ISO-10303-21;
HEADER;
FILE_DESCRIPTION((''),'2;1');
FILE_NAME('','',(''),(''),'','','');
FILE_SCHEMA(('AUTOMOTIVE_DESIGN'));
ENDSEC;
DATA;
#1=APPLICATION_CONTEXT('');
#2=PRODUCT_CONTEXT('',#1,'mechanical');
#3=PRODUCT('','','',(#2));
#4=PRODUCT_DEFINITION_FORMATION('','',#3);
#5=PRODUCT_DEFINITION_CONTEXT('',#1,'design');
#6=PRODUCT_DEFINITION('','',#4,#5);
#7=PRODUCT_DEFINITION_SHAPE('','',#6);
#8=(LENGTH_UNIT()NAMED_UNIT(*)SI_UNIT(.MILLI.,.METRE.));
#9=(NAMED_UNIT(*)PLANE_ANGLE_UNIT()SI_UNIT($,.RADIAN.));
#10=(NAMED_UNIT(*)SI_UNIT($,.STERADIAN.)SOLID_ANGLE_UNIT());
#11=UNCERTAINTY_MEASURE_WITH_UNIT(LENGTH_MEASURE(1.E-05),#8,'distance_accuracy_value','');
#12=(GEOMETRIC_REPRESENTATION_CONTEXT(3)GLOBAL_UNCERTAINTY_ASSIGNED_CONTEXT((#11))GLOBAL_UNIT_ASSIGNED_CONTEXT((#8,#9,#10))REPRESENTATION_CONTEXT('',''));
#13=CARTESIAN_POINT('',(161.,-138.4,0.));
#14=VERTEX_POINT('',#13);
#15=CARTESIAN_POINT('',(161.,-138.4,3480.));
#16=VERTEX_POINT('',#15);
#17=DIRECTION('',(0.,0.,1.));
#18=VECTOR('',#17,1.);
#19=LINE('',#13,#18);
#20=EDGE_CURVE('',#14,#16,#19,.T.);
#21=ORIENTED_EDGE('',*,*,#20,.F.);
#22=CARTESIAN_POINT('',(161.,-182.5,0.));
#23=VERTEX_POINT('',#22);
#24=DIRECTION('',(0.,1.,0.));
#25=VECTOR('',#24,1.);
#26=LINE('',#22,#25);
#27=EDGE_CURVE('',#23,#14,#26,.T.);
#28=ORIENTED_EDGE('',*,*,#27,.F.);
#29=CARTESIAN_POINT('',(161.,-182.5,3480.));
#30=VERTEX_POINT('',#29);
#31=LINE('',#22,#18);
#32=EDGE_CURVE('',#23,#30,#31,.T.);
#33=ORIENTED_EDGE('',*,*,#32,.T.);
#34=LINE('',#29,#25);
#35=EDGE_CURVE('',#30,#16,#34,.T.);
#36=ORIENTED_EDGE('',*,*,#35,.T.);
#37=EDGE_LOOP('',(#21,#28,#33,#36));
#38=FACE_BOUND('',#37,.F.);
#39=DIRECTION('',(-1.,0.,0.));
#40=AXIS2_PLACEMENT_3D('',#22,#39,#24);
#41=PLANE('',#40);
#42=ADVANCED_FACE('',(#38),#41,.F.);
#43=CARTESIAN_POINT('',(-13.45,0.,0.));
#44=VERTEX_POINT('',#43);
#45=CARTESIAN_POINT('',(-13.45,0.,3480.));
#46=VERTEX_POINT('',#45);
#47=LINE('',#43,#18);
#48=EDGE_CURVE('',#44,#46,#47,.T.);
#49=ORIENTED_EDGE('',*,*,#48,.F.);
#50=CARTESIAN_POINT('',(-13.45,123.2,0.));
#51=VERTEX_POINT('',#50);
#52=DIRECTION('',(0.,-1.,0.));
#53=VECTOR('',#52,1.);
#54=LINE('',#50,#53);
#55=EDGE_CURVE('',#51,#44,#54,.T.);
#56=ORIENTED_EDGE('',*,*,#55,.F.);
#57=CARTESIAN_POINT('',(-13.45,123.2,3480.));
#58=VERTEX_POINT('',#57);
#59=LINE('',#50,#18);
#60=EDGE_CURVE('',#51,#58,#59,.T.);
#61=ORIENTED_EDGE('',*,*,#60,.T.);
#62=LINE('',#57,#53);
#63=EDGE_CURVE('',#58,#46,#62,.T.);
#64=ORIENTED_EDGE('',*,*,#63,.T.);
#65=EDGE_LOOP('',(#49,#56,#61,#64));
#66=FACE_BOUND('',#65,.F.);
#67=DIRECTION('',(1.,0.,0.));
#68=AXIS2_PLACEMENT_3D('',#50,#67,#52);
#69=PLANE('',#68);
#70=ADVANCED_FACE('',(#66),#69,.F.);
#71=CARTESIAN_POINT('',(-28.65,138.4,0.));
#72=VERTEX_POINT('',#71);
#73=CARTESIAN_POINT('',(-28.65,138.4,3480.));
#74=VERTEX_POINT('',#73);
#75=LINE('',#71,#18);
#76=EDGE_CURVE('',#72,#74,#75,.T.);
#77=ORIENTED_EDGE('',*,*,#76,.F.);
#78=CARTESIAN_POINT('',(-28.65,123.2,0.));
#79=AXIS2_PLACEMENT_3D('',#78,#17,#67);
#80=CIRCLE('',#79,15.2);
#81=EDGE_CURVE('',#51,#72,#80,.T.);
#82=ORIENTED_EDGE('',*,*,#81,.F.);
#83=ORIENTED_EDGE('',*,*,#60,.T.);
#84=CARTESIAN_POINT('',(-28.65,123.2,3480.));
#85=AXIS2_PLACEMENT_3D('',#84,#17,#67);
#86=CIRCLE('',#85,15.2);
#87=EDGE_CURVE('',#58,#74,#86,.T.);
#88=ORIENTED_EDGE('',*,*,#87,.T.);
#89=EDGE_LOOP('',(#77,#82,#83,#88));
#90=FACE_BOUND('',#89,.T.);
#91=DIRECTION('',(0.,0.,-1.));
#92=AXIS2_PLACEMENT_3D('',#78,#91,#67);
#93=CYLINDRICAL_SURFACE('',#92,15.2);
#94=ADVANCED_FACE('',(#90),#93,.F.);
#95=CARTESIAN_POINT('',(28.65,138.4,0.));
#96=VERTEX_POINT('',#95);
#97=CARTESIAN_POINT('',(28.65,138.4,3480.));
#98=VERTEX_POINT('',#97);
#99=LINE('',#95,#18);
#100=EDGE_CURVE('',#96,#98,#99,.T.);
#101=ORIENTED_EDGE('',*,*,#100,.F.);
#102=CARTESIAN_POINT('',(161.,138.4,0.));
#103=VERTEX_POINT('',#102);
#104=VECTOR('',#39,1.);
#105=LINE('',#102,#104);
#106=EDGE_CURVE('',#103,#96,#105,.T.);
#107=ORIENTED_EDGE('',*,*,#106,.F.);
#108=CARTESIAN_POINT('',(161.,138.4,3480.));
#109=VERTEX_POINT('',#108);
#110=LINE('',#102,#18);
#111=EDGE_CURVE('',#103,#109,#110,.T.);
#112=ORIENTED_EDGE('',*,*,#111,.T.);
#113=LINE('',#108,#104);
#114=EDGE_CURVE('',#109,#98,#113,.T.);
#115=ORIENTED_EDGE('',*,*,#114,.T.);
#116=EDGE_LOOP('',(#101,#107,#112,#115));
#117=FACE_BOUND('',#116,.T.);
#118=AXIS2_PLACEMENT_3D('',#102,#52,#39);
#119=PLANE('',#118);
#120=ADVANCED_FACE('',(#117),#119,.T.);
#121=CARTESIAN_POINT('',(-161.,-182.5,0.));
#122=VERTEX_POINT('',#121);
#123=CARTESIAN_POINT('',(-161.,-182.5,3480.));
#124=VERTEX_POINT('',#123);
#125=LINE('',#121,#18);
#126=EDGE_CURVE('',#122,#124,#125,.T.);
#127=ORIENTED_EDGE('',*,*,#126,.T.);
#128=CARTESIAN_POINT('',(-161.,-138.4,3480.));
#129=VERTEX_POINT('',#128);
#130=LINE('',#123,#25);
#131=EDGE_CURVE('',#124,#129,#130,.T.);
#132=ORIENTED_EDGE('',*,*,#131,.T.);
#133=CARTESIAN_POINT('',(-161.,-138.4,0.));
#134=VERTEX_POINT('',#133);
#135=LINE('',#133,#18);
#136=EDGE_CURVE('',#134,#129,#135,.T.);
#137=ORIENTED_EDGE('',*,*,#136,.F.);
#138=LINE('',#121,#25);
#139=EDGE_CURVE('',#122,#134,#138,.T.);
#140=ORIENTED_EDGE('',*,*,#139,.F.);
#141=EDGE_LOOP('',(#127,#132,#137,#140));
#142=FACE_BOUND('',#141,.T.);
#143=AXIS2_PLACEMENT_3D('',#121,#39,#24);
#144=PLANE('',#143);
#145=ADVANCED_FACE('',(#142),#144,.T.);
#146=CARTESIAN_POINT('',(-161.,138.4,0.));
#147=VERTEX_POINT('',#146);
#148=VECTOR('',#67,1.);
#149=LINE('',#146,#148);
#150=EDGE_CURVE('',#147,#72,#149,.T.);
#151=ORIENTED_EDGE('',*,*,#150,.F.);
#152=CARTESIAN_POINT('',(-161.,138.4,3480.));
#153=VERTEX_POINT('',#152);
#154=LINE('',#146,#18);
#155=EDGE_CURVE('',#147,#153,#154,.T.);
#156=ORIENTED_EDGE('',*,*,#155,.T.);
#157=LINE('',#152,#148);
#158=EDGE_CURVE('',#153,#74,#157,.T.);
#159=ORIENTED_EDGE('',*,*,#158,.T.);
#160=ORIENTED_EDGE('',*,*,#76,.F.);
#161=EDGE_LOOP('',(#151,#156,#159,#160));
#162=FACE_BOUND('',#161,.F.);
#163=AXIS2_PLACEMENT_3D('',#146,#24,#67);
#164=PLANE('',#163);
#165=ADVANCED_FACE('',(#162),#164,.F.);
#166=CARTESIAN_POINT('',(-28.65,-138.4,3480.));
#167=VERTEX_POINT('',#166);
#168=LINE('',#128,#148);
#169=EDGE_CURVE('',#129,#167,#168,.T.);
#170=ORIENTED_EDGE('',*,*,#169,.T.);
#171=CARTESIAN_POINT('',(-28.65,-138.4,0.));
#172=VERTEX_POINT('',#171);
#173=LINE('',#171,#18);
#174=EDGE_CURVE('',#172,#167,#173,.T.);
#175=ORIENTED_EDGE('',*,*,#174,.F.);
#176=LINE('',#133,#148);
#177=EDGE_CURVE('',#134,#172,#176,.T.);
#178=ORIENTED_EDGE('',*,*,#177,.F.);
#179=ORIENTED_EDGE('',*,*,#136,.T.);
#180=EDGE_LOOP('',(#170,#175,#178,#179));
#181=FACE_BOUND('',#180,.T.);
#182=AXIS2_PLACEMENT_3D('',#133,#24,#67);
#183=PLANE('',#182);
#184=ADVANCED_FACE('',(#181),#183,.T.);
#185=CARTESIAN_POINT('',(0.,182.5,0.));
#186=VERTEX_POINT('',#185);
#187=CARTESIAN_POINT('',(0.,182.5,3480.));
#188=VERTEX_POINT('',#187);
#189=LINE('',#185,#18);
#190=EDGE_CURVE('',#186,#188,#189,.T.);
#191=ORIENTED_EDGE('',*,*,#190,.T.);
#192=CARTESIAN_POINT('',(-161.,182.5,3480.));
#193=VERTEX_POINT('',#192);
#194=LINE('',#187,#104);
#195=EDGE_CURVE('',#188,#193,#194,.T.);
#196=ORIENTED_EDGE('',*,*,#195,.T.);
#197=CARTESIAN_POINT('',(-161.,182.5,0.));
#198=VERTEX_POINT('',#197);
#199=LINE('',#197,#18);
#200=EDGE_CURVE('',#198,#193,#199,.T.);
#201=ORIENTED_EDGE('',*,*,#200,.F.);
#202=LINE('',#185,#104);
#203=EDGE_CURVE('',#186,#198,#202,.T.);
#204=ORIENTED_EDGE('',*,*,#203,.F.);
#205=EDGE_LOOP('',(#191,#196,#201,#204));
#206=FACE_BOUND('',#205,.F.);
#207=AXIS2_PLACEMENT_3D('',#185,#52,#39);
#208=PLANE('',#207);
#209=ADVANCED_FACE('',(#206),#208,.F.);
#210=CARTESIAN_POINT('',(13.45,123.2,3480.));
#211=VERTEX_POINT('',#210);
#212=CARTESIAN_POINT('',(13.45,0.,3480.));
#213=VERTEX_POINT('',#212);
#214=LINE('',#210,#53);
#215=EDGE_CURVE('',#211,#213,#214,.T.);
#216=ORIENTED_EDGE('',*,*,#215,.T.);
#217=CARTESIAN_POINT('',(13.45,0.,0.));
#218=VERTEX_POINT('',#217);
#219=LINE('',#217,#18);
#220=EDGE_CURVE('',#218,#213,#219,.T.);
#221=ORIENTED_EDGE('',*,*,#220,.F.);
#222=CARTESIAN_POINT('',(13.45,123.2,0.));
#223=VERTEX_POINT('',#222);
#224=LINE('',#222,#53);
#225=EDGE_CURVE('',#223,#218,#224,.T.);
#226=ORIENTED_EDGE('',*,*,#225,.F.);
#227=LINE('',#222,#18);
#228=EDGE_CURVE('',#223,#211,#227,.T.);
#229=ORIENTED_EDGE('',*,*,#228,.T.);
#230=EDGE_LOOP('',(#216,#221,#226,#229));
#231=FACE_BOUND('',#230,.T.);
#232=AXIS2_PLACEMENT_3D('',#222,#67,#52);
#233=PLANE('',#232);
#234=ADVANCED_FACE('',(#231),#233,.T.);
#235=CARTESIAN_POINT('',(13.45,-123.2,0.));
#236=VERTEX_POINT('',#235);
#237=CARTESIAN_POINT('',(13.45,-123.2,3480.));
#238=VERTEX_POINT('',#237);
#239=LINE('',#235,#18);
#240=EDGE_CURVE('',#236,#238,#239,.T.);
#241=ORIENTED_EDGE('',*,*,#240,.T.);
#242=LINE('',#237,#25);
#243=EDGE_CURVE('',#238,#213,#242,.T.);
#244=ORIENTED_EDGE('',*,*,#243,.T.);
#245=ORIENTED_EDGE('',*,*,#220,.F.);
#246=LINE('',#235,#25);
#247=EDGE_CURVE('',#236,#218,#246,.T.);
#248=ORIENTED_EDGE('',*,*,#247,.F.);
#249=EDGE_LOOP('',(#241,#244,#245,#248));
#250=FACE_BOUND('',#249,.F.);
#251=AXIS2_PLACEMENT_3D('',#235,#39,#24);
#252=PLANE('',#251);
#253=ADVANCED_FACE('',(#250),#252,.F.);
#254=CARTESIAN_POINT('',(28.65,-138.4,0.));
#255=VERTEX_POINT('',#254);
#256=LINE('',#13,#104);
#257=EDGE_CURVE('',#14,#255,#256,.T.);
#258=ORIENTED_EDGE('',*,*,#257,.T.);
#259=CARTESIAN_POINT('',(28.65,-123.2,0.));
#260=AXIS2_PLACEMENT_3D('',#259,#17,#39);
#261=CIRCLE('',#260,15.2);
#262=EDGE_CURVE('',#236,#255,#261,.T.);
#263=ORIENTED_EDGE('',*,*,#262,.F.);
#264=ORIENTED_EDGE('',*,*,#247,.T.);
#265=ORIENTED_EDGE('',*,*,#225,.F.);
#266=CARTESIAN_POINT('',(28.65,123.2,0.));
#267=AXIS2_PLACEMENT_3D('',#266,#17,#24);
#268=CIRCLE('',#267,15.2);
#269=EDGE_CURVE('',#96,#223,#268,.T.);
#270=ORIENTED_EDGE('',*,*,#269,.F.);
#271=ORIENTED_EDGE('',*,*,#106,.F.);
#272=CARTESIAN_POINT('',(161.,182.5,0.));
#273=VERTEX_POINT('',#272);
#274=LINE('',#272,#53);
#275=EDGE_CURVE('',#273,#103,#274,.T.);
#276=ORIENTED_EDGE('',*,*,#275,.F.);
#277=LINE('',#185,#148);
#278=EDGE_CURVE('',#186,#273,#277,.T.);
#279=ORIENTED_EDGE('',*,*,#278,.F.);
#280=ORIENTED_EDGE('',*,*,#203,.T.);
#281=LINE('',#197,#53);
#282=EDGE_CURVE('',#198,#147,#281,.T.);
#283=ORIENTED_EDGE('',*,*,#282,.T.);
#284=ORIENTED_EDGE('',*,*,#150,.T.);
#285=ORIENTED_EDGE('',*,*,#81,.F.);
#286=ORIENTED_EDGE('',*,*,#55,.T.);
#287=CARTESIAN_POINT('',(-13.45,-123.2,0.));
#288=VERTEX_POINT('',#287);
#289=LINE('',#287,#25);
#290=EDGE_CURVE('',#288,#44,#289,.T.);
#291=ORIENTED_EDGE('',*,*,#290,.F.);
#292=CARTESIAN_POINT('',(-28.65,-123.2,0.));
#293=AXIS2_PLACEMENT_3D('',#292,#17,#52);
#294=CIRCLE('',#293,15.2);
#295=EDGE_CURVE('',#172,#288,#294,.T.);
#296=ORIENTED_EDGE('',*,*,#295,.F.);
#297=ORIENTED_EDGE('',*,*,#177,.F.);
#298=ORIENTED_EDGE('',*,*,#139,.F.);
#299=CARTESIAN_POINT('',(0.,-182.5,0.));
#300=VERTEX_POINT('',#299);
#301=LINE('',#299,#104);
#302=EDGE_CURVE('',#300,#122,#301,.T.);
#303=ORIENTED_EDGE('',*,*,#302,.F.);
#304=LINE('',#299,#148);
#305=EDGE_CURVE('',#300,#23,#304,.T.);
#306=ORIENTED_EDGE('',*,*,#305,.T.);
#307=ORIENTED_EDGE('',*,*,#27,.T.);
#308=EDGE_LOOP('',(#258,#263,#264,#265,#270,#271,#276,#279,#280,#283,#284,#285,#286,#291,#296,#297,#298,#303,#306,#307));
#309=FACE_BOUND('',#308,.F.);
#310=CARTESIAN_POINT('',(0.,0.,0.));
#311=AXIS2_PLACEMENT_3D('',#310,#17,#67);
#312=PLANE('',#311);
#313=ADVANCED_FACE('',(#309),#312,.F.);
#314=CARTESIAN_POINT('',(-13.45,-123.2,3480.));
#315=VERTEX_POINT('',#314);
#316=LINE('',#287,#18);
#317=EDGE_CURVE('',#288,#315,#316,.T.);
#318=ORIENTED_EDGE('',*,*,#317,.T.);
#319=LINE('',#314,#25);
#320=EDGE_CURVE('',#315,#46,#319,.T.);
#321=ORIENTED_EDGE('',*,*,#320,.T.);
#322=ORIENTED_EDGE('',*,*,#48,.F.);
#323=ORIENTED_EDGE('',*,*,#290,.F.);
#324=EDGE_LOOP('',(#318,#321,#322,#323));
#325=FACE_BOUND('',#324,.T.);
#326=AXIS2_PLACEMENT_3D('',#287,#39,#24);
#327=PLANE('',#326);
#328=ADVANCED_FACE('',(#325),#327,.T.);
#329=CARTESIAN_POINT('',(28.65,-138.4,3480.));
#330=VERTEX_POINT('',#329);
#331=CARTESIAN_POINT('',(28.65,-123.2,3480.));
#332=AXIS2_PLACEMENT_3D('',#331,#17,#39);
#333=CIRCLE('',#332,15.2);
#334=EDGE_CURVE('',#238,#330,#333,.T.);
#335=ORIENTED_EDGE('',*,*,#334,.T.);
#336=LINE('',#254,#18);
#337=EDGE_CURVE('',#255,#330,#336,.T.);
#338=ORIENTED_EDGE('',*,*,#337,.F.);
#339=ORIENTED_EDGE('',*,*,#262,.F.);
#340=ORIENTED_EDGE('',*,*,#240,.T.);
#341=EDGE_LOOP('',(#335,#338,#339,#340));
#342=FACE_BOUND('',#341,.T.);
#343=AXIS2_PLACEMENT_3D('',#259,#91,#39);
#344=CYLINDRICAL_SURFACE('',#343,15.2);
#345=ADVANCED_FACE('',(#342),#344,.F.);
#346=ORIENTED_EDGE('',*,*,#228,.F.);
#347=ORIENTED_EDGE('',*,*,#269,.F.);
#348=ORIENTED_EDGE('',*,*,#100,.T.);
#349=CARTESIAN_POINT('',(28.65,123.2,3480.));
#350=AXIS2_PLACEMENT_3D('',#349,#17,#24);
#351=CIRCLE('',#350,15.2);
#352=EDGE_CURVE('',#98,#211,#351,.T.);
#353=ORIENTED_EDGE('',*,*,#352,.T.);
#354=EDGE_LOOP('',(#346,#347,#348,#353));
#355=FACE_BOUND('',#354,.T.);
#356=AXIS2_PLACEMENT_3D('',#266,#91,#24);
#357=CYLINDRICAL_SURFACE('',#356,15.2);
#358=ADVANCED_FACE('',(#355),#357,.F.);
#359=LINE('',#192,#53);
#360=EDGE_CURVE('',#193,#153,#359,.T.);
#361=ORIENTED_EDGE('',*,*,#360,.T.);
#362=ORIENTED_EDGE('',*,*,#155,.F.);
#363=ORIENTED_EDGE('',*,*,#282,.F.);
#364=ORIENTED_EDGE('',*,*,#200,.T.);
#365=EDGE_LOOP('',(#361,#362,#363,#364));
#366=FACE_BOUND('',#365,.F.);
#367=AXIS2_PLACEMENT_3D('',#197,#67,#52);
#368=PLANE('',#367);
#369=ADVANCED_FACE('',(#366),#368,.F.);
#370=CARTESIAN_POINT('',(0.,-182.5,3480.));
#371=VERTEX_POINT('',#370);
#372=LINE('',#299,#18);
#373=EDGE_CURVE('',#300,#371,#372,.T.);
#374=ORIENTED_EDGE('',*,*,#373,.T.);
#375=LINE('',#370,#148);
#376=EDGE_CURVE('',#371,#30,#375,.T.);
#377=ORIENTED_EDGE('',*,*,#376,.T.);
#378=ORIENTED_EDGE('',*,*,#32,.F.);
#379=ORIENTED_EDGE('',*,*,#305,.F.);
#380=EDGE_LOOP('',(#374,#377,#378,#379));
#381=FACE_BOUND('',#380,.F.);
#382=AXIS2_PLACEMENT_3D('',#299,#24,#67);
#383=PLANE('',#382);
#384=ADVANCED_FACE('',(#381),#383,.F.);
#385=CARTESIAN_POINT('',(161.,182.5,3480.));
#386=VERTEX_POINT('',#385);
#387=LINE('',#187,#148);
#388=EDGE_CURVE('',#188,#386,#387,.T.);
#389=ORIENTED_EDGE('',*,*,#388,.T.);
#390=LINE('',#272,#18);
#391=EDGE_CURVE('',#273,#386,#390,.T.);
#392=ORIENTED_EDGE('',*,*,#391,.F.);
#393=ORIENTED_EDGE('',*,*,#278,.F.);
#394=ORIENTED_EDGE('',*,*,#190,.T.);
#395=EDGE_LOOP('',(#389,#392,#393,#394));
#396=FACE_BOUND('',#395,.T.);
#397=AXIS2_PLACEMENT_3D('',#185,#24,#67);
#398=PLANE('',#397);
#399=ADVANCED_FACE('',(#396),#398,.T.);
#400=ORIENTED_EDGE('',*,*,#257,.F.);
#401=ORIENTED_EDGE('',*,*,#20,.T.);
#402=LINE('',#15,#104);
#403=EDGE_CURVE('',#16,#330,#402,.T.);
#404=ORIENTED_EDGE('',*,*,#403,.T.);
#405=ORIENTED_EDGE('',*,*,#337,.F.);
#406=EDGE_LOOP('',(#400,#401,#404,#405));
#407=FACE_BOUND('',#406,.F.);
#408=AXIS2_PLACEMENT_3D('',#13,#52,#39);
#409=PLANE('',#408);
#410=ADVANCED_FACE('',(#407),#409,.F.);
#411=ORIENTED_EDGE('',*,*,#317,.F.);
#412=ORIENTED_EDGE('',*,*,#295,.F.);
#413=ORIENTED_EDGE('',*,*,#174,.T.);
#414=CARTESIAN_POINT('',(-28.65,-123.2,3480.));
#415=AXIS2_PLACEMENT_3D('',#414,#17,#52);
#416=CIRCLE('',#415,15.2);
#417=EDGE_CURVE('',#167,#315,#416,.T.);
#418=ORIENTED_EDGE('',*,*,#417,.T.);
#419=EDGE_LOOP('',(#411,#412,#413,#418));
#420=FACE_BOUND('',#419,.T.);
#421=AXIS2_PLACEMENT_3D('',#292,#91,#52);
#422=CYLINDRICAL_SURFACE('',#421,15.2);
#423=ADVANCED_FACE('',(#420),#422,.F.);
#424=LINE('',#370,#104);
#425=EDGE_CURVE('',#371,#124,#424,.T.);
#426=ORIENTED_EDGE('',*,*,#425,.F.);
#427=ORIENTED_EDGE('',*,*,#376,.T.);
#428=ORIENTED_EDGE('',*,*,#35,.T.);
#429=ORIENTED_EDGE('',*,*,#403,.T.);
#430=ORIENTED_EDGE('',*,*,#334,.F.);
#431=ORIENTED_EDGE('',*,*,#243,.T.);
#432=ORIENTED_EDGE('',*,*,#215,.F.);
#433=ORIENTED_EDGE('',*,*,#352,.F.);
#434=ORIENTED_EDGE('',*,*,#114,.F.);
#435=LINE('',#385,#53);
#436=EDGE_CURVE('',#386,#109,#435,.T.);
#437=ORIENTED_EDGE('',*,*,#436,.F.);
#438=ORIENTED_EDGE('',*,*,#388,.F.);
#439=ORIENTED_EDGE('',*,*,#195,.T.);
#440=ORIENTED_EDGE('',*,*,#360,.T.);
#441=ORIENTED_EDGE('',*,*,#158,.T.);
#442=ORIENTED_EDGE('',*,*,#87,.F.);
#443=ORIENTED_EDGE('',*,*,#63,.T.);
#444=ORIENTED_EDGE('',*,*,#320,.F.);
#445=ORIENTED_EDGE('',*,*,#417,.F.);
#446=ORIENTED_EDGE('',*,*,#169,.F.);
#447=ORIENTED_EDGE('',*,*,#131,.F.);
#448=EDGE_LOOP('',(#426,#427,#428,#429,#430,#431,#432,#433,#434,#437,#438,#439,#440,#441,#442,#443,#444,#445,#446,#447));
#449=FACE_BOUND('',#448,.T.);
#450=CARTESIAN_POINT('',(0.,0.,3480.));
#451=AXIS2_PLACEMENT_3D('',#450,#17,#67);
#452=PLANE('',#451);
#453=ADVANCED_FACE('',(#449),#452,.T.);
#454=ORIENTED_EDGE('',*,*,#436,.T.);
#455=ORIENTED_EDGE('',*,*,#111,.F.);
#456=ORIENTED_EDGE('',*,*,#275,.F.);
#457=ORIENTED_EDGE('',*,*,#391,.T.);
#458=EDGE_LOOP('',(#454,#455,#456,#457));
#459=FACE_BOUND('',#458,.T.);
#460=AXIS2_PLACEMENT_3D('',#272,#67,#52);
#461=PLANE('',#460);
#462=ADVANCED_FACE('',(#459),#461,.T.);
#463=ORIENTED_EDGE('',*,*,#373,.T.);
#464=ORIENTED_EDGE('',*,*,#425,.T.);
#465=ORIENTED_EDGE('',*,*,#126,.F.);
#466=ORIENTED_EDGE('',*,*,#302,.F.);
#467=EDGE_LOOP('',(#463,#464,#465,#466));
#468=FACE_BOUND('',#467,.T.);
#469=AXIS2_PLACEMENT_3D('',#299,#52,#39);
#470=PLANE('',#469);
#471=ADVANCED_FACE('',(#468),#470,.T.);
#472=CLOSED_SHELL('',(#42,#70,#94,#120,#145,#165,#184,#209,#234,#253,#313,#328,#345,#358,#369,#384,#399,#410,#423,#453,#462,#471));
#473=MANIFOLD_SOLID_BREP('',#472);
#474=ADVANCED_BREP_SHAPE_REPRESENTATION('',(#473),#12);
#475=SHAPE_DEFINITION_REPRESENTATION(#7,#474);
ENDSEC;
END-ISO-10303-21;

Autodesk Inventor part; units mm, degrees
ref_plane "YZ Plane" through (0, 0, 0) normal (1, 0, 0) x (0, 1, 0)
ref_plane "Start plane" through (0, 0, 0) normal (0, 0, 1) x (1, 0, 0)
ref_plane "End plane" through (0, 0, 3480) normal (0, 0, 1) x (1, 0, 0)
sketch "Sketch" plane through (0, 0, 0) normal (0, 0, 1) x (1, 0, 0)
  line L0 (-161, -182.5) -> (-161, -138.4)
  line L1 (-161, -138.4) -> (-28.65, -138.4)
  line L2 (-13.45, -123.2) -> (-13.45, 0)
  line L3 (-13.45, 0) -> (0, 0) construction
  line L4 (0, 0) -> (0, -182.5) construction
  line L5 (0, -182.5) -> (-161, -182.5)
  line L6 (-60, 0) -> (80, 0) construction
  line L7 (0, -60) -> (0, 80) construction
  line L8 (161, -182.5) -> (161, -138.4)
  line L9 (161, -138.4) -> (28.65, -138.4)
  line L10 (13.45, -123.2) -> (13.45, 0)
  line L11 (13.45, 0) -> (0, 0) construction
  line L12 (0, -182.5) -> (161, -182.5)
  line L13 (-161, 182.5) -> (-161, 138.4)
  line L14 (-161, 138.4) -> (-28.65, 138.4)
  line L15 (-13.45, 123.2) -> (-13.45, 0)
  line L16 (0, 182.5) -> (-161, 182.5)
  line L17 (161, 182.5) -> (161, 138.4)
  line L18 (161, 138.4) -> (28.65, 138.4)
  line L19 (0, 182.5) -> (161, 182.5)
  line L20 (13.45, 123.2) -> (13.45, 0)
  arc A0 (-13.45, 123.2) -> (-28.65, 138.4) centre (-28.65, 123.2) ccw
  arc A1 (28.65, 138.4) -> (13.45, 123.2) centre (28.65, 123.2) ccw
  arc A2 (13.45, -123.2) -> (28.65, -138.4) centre (28.65, -123.2) ccw
  arc A3 (-28.65, -138.4) -> (-13.45, -123.2) centre (-28.65, -123.2) ccw
  line L21 (0, 108) -> (0, -88) construction
  line L22 (-88, 0) -> (108, 0) construction
  point P0 (-13.45, -138.4)
  point P1 (13.45, -138.4)
  point P2 (-13.45, 138.4)
  point P3 (13.45, 138.4)
  dimension "d1" = 182.5
  dimension "d2" = 44.1
  dimension "d3" = 161
  dimension "d4" = 13.45
  dimension "d10" = 15.2
extrude "Body" add sketch "Sketch" along normal up to surface (3480 mm away) from surface at 0
sketch "Sketch4" plane through (0, 0, 0) normal (0, 0, 1) x (1, 0, 0)
  line L0 (0, 0) -> (10, 0)
ref_plane "Work Plane3" through (0, 0, 0) normal (0, -1, 0) x (1, 0, 0)
sketch "Sketch5" plane through (0, 0, 0) normal (0, -1, 0) x (1, 0, 0)
  line L0 (-2, 0) -> (12, 0) projected
  line L1 (-2, 3480) -> (12, 3480) projected
  dimension "d14" = 3480
equation "\"d1\" = 0.5 * G_H"
equation "\"d2\" = G_T1"
equation "\"d3\" = 0.5 * G_W"
equation "\"d4\" = 0.5 * G_T"
equation "\"d10\" = G_IR"
equation "\"d5\" = G_L"
equation "\"G_W\" = 322"
equation "\"G_H\" = 365"
equation "\"G_T\" = 26.9"
equation "\"G_T1\" = 44.1"
equation "\"G_IR\" = 15.2"
equation "\"G_L\" = d14"
equation "\"G_OFFSET_START\" = 0"
equation "\"G_OFFSET_END\" = 0"
properties part number "AS 3679 - 310 UC - 283 - 3480" material "Steel, Mild"
